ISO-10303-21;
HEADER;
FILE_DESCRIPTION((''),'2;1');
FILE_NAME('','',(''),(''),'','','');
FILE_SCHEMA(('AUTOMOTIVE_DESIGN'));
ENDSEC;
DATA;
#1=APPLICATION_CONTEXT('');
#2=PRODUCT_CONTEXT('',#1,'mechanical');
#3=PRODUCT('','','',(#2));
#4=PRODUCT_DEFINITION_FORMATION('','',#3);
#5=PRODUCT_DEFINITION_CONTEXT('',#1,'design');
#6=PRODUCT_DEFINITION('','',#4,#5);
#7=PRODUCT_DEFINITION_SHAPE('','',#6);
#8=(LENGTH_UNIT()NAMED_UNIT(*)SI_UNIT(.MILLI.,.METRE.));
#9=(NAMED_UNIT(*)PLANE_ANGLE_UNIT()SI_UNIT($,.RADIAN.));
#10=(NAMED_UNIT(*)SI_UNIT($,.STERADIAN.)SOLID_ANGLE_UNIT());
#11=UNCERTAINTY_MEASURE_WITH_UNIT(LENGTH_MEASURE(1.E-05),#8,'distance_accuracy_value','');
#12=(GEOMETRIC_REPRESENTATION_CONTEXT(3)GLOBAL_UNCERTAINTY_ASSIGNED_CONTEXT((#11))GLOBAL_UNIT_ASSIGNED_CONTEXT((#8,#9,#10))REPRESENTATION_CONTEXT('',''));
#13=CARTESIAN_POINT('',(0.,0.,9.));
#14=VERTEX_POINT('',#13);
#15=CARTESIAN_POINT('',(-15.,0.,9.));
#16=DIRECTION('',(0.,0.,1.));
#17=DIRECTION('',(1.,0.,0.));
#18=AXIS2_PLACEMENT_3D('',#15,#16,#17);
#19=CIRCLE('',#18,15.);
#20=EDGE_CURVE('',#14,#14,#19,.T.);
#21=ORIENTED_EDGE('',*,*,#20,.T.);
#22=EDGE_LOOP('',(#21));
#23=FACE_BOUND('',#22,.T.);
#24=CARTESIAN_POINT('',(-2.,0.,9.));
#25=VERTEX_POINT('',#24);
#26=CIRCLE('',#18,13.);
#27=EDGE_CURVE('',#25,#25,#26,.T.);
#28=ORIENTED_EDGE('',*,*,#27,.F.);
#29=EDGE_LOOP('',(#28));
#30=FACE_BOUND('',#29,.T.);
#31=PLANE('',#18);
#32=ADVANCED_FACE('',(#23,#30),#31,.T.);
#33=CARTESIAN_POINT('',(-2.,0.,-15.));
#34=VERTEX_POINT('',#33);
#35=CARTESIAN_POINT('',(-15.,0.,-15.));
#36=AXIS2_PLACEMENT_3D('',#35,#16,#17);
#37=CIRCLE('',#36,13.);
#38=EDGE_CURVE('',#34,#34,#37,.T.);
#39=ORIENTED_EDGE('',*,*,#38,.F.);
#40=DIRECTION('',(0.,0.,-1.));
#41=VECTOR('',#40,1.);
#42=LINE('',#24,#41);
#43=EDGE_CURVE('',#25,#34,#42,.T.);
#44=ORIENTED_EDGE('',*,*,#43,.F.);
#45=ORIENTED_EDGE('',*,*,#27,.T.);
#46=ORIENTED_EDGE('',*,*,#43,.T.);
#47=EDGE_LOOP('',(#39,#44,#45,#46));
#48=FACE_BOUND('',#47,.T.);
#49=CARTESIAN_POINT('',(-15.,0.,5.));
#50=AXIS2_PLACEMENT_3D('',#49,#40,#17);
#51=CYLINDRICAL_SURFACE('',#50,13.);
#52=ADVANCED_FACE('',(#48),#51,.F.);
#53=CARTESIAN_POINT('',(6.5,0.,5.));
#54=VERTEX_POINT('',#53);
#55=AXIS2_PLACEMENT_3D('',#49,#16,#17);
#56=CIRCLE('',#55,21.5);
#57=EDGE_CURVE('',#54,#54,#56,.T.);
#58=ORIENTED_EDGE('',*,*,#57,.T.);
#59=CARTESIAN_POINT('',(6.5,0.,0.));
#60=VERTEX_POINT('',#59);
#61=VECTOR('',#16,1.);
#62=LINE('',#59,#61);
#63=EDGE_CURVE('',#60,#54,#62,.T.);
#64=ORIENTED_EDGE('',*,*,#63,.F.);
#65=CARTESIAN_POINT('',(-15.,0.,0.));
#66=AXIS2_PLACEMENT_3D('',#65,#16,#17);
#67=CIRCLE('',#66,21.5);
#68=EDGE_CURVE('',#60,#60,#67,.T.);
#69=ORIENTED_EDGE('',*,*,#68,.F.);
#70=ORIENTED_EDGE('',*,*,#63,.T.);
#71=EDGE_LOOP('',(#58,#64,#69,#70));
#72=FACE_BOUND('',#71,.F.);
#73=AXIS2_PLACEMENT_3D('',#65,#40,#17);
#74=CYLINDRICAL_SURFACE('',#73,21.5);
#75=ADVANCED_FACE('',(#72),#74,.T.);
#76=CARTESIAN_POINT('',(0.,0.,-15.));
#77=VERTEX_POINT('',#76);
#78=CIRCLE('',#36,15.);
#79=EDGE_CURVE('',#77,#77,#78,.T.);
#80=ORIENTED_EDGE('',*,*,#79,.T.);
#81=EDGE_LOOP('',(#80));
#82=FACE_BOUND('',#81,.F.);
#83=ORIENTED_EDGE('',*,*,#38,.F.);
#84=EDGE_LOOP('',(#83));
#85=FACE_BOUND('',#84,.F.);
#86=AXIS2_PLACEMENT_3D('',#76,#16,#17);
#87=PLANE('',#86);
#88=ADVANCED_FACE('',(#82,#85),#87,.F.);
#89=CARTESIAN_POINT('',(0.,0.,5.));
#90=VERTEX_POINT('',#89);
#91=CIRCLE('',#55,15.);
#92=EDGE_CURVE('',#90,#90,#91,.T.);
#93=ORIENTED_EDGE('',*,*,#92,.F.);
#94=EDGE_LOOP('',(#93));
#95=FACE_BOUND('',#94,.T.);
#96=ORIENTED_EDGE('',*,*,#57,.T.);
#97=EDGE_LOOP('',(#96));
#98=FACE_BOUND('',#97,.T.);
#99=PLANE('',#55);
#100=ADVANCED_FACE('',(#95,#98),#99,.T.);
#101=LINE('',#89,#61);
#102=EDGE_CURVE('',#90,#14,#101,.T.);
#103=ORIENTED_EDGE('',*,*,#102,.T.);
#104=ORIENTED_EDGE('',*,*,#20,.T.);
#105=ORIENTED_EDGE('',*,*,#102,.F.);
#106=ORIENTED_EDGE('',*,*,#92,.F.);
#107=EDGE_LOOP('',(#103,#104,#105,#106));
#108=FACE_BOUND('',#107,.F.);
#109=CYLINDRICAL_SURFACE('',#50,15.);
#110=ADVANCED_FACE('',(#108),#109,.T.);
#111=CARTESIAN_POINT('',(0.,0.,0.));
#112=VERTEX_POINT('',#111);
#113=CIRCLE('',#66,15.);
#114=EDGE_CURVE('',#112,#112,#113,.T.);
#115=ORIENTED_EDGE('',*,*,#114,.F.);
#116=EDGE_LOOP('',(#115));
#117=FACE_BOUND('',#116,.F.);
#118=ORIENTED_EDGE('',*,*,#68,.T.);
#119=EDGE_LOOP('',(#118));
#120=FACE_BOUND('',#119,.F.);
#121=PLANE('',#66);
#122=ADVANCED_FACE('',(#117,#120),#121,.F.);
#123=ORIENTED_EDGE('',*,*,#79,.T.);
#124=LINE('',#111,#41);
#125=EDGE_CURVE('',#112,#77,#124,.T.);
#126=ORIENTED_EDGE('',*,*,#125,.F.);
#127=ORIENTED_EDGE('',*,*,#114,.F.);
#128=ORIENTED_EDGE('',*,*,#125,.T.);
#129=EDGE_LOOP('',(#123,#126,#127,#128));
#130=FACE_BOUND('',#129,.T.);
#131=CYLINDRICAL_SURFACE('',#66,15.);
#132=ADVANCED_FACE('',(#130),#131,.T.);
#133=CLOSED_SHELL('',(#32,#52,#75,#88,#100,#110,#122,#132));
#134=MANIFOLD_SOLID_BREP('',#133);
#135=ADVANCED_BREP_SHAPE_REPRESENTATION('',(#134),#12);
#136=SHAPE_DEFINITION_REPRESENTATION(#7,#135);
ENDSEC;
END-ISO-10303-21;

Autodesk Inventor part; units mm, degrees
ref_plane "YZ Plane" through (0, 0, 0) normal (1, 0, 0) x (0, 1, 0)
ref_plane "XZ Plane" through (0, 0, 0) normal (0, 1, 0) x (-1, 0, 0)
ref_plane "XY Plane" through (0, 0, 0) normal (0, 0, 1) x (1, 0, 0)
ref_plane "Plano de trabalho1" through (0, 0, 0) normal (0, 0, 1) x (1, 0, 0)
sketch "Esboço1" plane through (0, 0, 0) normal (0, 0, 1) x (1, 0, 0)
  circle A0 centre (-15, 0) radius 15 projected
  circle A1 centre (-15, 0) radius 13
  point P0 (0, 0)
  dimension "d0" = 2
extrude "Extrusão1" add sketch "Esboço1" against normal blind 15
sketch "Esboço2" plane through (-15, 0, 0) normal (0, 0, 1) x (1, 0, 0)
  circle A0 centre (0, 0) radius 13 projected
  circle A1 centre (0, 0) radius 20 projected
  circle A2 centre (0, 0) radius 21.5
  point P0 (15, 0)
  dimension "d3" = 43
extrude "Extrusão2" add sketch "Esboço2" along normal blind 5 contours A1 | A2
sketch "Esboço3" plane through (-15, 0, 5) normal (0, 0, 1) x (1, 0, 0)
  circle A0 centre (0, 0) radius 13 projected
  circle A1 centre (0, 0) radius 15 projected
  point P0 (15, 0)
extrude "Extrusão3" add sketch "Esboço3" along normal blind 4
properties part number "Adaptador de Saida"
